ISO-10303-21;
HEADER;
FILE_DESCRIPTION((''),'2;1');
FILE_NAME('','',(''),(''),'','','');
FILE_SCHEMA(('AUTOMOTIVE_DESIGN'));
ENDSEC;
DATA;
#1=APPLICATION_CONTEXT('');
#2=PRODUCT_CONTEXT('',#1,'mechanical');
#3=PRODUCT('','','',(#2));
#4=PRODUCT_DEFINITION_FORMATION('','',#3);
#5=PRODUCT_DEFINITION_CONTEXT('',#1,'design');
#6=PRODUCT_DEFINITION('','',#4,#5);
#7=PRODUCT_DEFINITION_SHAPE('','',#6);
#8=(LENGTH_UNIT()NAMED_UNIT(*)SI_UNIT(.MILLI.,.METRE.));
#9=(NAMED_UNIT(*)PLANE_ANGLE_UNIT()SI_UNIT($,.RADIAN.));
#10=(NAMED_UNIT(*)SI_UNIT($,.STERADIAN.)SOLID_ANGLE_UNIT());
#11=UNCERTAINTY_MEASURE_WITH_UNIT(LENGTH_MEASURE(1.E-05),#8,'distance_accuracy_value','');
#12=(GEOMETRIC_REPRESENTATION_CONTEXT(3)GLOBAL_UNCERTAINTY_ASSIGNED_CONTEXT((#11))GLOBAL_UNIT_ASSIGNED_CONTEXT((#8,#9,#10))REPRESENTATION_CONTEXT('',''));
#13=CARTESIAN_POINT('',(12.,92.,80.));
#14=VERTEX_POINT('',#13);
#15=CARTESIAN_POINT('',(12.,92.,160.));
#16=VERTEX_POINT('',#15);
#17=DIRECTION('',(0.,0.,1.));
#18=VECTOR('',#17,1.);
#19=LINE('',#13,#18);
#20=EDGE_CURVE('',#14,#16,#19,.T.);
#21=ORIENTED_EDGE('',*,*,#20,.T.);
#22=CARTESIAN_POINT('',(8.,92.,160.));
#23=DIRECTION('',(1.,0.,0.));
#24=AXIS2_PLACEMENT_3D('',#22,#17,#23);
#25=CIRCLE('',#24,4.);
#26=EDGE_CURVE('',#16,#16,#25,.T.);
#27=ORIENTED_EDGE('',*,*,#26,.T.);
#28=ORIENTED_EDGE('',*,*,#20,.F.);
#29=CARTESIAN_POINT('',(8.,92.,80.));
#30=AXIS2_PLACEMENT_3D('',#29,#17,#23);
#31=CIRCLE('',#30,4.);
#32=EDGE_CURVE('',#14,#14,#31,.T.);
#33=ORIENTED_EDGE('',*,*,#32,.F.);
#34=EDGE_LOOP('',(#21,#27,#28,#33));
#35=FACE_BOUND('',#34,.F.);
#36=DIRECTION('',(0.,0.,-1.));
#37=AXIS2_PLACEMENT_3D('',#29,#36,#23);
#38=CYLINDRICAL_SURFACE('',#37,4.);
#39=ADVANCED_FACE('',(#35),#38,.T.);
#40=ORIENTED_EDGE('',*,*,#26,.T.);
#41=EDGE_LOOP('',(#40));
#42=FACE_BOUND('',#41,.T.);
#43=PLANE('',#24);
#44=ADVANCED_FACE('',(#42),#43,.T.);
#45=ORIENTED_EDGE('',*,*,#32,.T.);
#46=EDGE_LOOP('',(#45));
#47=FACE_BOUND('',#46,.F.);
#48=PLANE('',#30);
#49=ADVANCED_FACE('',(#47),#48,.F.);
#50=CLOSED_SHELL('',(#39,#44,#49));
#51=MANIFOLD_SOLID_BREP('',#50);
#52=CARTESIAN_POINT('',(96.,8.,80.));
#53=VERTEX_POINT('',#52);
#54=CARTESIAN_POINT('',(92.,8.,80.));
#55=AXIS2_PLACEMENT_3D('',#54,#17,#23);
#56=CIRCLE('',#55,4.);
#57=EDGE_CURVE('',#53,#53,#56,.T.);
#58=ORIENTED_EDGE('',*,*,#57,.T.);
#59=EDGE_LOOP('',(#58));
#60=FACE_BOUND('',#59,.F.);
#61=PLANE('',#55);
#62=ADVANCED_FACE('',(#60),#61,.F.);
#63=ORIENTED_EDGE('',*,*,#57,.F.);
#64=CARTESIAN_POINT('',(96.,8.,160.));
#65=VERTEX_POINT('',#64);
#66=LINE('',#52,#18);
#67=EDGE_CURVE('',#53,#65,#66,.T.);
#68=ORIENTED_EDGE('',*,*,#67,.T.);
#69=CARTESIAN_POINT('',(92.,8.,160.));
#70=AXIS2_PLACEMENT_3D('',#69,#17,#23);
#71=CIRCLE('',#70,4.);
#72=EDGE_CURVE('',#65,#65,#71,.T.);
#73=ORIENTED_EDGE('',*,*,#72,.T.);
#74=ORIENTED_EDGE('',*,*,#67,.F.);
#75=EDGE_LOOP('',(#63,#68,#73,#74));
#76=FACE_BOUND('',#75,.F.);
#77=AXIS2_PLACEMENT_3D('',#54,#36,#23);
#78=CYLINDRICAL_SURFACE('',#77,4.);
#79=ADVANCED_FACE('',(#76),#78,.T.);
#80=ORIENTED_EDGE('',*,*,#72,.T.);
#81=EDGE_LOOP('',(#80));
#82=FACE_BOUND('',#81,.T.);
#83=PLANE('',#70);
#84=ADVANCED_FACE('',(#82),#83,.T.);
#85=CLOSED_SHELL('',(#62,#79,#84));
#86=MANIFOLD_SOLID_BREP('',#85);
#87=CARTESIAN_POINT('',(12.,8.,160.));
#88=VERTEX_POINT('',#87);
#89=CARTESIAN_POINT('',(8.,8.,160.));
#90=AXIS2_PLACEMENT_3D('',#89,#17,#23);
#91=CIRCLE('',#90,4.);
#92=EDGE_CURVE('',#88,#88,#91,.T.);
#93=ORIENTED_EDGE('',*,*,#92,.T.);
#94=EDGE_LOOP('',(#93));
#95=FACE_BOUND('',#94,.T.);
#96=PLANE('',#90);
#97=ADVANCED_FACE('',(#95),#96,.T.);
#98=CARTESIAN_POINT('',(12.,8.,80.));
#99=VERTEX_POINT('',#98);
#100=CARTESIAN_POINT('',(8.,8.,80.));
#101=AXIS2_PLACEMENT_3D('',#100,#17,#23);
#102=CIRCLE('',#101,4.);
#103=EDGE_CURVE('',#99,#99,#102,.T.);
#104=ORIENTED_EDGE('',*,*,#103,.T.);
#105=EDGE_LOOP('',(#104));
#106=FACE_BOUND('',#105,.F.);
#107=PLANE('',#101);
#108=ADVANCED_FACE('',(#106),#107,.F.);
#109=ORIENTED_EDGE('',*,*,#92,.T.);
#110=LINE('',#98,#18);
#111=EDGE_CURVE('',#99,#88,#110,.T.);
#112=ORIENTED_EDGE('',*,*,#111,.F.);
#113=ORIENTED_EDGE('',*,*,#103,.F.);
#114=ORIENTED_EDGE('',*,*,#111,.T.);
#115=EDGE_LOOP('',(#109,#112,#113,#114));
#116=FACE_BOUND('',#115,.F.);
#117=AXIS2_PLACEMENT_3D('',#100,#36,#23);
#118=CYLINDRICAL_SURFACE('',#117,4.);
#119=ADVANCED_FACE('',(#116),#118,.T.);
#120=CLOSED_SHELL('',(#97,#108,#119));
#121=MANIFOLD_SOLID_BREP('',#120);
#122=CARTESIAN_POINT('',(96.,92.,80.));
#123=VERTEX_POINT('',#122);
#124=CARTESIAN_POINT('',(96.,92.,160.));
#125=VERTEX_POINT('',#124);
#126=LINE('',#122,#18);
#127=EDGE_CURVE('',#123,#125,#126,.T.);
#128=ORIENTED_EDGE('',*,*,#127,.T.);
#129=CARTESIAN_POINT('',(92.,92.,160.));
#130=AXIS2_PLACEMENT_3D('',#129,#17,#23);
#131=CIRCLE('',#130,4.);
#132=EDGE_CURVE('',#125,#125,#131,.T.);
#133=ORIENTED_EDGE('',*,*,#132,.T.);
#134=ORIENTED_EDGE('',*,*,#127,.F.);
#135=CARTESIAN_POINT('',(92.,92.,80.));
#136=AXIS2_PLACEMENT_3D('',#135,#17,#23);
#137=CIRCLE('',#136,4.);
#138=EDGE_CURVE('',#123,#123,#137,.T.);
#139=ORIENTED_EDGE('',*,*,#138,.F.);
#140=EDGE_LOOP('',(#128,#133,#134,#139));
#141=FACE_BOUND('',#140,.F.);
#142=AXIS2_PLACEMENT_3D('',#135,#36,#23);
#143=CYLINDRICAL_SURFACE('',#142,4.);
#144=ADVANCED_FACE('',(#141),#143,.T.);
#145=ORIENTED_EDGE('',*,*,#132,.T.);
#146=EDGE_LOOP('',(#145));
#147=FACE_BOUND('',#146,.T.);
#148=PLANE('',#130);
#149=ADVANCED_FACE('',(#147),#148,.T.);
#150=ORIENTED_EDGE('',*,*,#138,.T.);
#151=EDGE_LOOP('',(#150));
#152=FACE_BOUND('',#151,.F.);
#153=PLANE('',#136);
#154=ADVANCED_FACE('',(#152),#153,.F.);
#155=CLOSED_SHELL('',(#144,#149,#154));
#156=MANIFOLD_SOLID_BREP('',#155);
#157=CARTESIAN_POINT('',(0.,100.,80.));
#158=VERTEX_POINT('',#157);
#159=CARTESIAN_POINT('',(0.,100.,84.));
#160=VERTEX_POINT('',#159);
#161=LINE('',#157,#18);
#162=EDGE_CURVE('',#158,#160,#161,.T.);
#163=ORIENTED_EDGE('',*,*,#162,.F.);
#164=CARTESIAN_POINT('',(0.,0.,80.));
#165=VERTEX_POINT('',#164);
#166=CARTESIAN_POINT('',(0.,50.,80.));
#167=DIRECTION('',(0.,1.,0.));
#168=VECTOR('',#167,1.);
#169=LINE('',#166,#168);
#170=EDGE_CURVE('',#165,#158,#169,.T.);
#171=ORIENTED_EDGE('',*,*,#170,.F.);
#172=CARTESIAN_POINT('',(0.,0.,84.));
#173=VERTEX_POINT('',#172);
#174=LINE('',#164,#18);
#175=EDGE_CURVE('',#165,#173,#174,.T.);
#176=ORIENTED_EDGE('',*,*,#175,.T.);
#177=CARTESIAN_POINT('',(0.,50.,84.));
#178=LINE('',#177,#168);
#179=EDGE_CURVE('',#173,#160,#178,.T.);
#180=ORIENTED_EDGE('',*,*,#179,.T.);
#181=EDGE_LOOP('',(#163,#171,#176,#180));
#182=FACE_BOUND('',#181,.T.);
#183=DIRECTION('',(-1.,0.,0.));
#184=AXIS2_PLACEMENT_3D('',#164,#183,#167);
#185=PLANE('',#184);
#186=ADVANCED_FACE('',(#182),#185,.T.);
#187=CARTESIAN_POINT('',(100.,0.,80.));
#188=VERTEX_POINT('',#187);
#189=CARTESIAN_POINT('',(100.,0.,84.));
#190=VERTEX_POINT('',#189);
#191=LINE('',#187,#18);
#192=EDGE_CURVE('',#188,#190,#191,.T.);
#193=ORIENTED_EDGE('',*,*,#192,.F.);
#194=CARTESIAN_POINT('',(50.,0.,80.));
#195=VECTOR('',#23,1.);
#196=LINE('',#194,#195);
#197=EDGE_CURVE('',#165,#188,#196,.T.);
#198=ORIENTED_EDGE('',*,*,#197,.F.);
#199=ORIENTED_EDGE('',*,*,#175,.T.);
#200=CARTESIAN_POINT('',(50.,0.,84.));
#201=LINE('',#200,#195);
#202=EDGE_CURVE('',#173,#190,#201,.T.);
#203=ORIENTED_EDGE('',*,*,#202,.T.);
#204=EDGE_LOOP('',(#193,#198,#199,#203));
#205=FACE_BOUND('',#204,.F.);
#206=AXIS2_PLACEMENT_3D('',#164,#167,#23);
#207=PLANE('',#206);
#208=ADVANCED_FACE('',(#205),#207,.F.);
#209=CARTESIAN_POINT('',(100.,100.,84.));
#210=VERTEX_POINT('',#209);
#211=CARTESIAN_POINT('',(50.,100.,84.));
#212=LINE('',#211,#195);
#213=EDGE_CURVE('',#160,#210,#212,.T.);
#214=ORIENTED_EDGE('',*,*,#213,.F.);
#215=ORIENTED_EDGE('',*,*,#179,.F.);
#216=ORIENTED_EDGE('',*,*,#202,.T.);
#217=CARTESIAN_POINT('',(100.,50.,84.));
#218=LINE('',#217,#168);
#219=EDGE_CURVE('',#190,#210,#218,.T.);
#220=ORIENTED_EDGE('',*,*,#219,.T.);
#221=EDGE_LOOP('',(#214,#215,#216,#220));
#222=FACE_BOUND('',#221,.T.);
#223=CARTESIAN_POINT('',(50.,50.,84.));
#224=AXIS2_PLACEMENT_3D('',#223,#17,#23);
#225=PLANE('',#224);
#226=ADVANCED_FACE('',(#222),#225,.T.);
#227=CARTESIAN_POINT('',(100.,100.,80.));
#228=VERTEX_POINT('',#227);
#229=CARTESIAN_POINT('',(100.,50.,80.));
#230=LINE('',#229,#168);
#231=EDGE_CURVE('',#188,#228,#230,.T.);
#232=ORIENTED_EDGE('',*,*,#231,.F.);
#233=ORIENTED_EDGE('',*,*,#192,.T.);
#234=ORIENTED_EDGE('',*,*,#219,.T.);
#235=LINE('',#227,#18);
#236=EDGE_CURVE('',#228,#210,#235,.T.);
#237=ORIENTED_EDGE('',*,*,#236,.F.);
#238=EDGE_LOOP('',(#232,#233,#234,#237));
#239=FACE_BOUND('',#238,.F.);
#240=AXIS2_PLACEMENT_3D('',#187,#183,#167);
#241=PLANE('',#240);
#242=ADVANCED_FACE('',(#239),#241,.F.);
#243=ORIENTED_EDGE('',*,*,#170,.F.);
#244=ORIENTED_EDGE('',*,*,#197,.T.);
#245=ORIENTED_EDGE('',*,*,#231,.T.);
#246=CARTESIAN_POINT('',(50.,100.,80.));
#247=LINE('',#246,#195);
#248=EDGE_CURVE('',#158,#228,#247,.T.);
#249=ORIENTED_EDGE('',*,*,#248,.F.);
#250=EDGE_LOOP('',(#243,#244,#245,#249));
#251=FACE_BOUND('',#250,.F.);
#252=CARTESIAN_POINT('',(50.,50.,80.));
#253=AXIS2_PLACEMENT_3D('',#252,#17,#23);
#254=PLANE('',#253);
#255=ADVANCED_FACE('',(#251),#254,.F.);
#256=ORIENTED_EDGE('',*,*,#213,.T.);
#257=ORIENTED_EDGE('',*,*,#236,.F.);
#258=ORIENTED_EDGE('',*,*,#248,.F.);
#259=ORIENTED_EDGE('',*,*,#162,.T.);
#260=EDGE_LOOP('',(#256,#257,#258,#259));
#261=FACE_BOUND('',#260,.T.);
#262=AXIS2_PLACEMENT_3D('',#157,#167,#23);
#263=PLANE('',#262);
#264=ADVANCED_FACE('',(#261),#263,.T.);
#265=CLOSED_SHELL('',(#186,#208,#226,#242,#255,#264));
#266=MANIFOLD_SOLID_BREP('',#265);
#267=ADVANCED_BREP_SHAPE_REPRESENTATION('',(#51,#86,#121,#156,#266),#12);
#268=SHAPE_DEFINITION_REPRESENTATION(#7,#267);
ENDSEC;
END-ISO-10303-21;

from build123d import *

# Parameters (mm, degrees)
BOX_W             = 100
BOX_H             = 100
BOX_DEPTH         = 4
CYLINDER_R        = 4
CYLINDER_DEPTH    = 80
CYLINDER001_R     = 4
CYLINDER001_DEPTH = 80
CYLINDER002_R     = 4
CYLINDER002_DEPTH = 80
CYLINDER003_R     = 4
CYLINDER003_DEPTH = 80


with BuildPart() as cube:
    # Box → Box (new body)
    with BuildSketch(Plane.XY.offset(80)):
        with Locations((50, 50)):
            Rectangle(BOX_W, BOX_H)
    extrude(amount=BOX_DEPTH)


with BuildPart() as cylindre:
    # Cylinder → Cylinder (new body)
    with BuildSketch(Plane(origin=(8, 8, 80), x_dir=(1, 0, 0), z_dir=(0, 0, 1))):
        Circle(CYLINDER_R)
    extrude(amount=CYLINDER_DEPTH)


with BuildPart() as cylindre001:
    # Cylinder001 → Cylinder001 (new body)
    with BuildSketch(Plane(origin=(92, 8, 80), x_dir=(1, 0, 0), z_dir=(0, 0, 1))):
        Circle(CYLINDER001_R)
    extrude(amount=CYLINDER001_DEPTH)


with BuildPart() as cylindre002:
    # Cylinder002 → Cylinder002 (new body)
    with BuildSketch(Plane(origin=(92, 92, 80), x_dir=(1, 0, 0), z_dir=(0, 0, 1))):
        Circle(CYLINDER002_R)
    extrude(amount=CYLINDER002_DEPTH)


with BuildPart() as cylindre003:
    # Cylinder003 → Cylinder003 (new body)
    with BuildSketch(Plane(origin=(8, 92, 80), x_dir=(1, 0, 0), z_dir=(0, 0, 1))):
        Circle(CYLINDER003_R)
    extrude(amount=CYLINDER003_DEPTH)


solid = Compound([cube.part, cylindre.part, cylindre001.part, cylindre002.part, cylindre003.part])
